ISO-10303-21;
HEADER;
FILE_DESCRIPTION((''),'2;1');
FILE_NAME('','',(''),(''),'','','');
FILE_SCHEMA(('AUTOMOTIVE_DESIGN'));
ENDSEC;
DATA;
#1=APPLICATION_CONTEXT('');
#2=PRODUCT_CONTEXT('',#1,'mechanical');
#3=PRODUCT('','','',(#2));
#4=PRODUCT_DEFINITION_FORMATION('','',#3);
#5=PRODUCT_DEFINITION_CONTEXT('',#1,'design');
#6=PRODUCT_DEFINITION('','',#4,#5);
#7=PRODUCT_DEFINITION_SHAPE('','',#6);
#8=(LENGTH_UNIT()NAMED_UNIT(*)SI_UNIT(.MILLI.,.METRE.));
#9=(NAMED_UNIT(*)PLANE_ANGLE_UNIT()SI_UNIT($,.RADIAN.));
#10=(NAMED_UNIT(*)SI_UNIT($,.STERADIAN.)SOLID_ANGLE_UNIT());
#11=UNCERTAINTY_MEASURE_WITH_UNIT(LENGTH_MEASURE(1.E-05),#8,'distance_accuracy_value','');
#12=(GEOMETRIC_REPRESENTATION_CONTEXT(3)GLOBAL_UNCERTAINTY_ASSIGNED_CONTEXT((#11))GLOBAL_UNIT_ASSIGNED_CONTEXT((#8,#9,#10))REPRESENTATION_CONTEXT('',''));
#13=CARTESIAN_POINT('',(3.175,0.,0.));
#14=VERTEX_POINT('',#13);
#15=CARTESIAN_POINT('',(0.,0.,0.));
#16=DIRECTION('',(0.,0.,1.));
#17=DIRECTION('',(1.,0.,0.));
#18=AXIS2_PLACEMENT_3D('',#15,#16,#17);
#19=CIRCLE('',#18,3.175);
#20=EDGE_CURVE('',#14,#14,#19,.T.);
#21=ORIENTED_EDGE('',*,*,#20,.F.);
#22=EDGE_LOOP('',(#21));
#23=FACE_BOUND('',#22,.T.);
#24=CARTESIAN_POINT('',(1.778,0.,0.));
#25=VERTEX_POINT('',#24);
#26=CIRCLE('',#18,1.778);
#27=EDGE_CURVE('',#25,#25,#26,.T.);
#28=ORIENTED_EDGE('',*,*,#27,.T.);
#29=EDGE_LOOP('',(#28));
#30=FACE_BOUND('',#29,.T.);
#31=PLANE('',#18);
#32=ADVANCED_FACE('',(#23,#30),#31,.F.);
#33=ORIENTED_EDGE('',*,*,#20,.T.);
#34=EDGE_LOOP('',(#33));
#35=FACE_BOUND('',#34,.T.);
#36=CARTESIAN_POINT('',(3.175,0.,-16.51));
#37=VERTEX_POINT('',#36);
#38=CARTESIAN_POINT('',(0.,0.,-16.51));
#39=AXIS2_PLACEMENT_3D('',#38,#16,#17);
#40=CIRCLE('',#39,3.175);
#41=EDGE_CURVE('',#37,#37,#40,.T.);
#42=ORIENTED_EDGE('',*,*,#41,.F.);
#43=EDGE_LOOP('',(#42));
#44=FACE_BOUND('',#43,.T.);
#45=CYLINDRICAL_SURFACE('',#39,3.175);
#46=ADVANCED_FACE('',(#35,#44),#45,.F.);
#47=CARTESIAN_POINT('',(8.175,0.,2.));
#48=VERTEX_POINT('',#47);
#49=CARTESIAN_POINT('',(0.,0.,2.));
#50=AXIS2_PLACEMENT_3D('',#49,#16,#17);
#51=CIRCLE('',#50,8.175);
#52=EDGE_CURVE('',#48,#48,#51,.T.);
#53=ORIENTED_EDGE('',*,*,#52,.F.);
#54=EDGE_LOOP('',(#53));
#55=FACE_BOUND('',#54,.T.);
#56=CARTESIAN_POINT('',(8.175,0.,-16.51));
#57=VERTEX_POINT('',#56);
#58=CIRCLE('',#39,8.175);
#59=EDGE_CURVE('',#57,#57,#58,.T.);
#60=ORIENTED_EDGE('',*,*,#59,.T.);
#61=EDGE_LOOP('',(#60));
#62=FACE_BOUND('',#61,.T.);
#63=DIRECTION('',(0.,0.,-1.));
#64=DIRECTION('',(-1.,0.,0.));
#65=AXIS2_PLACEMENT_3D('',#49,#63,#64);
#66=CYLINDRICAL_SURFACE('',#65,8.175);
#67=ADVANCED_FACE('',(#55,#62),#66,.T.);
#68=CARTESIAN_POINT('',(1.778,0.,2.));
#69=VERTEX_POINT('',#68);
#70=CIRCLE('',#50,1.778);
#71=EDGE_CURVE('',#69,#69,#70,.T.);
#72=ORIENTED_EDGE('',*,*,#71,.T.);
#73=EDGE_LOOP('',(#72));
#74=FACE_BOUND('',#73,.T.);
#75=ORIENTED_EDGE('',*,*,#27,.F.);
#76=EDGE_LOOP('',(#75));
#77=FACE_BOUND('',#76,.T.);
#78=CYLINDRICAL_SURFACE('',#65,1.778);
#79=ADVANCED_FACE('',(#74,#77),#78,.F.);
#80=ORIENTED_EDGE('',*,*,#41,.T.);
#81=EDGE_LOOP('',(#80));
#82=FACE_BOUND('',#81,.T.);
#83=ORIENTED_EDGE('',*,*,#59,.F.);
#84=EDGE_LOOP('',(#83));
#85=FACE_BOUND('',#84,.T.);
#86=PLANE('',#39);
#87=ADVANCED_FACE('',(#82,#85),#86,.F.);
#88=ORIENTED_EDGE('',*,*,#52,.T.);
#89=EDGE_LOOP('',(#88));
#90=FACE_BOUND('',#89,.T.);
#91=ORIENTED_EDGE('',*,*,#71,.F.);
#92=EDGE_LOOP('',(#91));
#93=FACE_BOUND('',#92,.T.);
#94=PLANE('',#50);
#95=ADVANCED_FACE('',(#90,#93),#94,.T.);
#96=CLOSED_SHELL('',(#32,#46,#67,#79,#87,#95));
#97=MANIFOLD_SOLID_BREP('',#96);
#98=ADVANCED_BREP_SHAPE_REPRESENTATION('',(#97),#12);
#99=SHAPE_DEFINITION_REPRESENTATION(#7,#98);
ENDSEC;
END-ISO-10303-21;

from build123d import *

# Parameters (mm, degrees)
SKETCH1_R           = 8.175
SKETCH1_R_2         = 1.778
BOSS_EXTRUDE1_DEPTH = 2
BOSS_EXTRUDE2_START = -16.51
SKETCH1_3_R         = 8.175
SKETCH1_3_R_2       = 3.175
BOSS_EXTRUDE2_DEPTH = 16.51


with BuildPart() as part:
    # Sketch1 → Boss-Extrude1 (new body)
    with BuildSketch(Plane.XY):
        Circle(SKETCH1_R)
        Circle(SKETCH1_R_2, mode=Mode.SUBTRACT)
    extrude(amount=BOSS_EXTRUDE1_DEPTH)

    # Sketch1<3> → Boss-Extrude2 (add)
    with BuildSketch(Plane.XY.offset(BOSS_EXTRUDE2_START)):
        Circle(SKETCH1_3_R)
        Circle(SKETCH1_3_R_2, mode=Mode.SUBTRACT)
    extrude(amount=BOSS_EXTRUDE2_DEPTH)


solid = part.part
